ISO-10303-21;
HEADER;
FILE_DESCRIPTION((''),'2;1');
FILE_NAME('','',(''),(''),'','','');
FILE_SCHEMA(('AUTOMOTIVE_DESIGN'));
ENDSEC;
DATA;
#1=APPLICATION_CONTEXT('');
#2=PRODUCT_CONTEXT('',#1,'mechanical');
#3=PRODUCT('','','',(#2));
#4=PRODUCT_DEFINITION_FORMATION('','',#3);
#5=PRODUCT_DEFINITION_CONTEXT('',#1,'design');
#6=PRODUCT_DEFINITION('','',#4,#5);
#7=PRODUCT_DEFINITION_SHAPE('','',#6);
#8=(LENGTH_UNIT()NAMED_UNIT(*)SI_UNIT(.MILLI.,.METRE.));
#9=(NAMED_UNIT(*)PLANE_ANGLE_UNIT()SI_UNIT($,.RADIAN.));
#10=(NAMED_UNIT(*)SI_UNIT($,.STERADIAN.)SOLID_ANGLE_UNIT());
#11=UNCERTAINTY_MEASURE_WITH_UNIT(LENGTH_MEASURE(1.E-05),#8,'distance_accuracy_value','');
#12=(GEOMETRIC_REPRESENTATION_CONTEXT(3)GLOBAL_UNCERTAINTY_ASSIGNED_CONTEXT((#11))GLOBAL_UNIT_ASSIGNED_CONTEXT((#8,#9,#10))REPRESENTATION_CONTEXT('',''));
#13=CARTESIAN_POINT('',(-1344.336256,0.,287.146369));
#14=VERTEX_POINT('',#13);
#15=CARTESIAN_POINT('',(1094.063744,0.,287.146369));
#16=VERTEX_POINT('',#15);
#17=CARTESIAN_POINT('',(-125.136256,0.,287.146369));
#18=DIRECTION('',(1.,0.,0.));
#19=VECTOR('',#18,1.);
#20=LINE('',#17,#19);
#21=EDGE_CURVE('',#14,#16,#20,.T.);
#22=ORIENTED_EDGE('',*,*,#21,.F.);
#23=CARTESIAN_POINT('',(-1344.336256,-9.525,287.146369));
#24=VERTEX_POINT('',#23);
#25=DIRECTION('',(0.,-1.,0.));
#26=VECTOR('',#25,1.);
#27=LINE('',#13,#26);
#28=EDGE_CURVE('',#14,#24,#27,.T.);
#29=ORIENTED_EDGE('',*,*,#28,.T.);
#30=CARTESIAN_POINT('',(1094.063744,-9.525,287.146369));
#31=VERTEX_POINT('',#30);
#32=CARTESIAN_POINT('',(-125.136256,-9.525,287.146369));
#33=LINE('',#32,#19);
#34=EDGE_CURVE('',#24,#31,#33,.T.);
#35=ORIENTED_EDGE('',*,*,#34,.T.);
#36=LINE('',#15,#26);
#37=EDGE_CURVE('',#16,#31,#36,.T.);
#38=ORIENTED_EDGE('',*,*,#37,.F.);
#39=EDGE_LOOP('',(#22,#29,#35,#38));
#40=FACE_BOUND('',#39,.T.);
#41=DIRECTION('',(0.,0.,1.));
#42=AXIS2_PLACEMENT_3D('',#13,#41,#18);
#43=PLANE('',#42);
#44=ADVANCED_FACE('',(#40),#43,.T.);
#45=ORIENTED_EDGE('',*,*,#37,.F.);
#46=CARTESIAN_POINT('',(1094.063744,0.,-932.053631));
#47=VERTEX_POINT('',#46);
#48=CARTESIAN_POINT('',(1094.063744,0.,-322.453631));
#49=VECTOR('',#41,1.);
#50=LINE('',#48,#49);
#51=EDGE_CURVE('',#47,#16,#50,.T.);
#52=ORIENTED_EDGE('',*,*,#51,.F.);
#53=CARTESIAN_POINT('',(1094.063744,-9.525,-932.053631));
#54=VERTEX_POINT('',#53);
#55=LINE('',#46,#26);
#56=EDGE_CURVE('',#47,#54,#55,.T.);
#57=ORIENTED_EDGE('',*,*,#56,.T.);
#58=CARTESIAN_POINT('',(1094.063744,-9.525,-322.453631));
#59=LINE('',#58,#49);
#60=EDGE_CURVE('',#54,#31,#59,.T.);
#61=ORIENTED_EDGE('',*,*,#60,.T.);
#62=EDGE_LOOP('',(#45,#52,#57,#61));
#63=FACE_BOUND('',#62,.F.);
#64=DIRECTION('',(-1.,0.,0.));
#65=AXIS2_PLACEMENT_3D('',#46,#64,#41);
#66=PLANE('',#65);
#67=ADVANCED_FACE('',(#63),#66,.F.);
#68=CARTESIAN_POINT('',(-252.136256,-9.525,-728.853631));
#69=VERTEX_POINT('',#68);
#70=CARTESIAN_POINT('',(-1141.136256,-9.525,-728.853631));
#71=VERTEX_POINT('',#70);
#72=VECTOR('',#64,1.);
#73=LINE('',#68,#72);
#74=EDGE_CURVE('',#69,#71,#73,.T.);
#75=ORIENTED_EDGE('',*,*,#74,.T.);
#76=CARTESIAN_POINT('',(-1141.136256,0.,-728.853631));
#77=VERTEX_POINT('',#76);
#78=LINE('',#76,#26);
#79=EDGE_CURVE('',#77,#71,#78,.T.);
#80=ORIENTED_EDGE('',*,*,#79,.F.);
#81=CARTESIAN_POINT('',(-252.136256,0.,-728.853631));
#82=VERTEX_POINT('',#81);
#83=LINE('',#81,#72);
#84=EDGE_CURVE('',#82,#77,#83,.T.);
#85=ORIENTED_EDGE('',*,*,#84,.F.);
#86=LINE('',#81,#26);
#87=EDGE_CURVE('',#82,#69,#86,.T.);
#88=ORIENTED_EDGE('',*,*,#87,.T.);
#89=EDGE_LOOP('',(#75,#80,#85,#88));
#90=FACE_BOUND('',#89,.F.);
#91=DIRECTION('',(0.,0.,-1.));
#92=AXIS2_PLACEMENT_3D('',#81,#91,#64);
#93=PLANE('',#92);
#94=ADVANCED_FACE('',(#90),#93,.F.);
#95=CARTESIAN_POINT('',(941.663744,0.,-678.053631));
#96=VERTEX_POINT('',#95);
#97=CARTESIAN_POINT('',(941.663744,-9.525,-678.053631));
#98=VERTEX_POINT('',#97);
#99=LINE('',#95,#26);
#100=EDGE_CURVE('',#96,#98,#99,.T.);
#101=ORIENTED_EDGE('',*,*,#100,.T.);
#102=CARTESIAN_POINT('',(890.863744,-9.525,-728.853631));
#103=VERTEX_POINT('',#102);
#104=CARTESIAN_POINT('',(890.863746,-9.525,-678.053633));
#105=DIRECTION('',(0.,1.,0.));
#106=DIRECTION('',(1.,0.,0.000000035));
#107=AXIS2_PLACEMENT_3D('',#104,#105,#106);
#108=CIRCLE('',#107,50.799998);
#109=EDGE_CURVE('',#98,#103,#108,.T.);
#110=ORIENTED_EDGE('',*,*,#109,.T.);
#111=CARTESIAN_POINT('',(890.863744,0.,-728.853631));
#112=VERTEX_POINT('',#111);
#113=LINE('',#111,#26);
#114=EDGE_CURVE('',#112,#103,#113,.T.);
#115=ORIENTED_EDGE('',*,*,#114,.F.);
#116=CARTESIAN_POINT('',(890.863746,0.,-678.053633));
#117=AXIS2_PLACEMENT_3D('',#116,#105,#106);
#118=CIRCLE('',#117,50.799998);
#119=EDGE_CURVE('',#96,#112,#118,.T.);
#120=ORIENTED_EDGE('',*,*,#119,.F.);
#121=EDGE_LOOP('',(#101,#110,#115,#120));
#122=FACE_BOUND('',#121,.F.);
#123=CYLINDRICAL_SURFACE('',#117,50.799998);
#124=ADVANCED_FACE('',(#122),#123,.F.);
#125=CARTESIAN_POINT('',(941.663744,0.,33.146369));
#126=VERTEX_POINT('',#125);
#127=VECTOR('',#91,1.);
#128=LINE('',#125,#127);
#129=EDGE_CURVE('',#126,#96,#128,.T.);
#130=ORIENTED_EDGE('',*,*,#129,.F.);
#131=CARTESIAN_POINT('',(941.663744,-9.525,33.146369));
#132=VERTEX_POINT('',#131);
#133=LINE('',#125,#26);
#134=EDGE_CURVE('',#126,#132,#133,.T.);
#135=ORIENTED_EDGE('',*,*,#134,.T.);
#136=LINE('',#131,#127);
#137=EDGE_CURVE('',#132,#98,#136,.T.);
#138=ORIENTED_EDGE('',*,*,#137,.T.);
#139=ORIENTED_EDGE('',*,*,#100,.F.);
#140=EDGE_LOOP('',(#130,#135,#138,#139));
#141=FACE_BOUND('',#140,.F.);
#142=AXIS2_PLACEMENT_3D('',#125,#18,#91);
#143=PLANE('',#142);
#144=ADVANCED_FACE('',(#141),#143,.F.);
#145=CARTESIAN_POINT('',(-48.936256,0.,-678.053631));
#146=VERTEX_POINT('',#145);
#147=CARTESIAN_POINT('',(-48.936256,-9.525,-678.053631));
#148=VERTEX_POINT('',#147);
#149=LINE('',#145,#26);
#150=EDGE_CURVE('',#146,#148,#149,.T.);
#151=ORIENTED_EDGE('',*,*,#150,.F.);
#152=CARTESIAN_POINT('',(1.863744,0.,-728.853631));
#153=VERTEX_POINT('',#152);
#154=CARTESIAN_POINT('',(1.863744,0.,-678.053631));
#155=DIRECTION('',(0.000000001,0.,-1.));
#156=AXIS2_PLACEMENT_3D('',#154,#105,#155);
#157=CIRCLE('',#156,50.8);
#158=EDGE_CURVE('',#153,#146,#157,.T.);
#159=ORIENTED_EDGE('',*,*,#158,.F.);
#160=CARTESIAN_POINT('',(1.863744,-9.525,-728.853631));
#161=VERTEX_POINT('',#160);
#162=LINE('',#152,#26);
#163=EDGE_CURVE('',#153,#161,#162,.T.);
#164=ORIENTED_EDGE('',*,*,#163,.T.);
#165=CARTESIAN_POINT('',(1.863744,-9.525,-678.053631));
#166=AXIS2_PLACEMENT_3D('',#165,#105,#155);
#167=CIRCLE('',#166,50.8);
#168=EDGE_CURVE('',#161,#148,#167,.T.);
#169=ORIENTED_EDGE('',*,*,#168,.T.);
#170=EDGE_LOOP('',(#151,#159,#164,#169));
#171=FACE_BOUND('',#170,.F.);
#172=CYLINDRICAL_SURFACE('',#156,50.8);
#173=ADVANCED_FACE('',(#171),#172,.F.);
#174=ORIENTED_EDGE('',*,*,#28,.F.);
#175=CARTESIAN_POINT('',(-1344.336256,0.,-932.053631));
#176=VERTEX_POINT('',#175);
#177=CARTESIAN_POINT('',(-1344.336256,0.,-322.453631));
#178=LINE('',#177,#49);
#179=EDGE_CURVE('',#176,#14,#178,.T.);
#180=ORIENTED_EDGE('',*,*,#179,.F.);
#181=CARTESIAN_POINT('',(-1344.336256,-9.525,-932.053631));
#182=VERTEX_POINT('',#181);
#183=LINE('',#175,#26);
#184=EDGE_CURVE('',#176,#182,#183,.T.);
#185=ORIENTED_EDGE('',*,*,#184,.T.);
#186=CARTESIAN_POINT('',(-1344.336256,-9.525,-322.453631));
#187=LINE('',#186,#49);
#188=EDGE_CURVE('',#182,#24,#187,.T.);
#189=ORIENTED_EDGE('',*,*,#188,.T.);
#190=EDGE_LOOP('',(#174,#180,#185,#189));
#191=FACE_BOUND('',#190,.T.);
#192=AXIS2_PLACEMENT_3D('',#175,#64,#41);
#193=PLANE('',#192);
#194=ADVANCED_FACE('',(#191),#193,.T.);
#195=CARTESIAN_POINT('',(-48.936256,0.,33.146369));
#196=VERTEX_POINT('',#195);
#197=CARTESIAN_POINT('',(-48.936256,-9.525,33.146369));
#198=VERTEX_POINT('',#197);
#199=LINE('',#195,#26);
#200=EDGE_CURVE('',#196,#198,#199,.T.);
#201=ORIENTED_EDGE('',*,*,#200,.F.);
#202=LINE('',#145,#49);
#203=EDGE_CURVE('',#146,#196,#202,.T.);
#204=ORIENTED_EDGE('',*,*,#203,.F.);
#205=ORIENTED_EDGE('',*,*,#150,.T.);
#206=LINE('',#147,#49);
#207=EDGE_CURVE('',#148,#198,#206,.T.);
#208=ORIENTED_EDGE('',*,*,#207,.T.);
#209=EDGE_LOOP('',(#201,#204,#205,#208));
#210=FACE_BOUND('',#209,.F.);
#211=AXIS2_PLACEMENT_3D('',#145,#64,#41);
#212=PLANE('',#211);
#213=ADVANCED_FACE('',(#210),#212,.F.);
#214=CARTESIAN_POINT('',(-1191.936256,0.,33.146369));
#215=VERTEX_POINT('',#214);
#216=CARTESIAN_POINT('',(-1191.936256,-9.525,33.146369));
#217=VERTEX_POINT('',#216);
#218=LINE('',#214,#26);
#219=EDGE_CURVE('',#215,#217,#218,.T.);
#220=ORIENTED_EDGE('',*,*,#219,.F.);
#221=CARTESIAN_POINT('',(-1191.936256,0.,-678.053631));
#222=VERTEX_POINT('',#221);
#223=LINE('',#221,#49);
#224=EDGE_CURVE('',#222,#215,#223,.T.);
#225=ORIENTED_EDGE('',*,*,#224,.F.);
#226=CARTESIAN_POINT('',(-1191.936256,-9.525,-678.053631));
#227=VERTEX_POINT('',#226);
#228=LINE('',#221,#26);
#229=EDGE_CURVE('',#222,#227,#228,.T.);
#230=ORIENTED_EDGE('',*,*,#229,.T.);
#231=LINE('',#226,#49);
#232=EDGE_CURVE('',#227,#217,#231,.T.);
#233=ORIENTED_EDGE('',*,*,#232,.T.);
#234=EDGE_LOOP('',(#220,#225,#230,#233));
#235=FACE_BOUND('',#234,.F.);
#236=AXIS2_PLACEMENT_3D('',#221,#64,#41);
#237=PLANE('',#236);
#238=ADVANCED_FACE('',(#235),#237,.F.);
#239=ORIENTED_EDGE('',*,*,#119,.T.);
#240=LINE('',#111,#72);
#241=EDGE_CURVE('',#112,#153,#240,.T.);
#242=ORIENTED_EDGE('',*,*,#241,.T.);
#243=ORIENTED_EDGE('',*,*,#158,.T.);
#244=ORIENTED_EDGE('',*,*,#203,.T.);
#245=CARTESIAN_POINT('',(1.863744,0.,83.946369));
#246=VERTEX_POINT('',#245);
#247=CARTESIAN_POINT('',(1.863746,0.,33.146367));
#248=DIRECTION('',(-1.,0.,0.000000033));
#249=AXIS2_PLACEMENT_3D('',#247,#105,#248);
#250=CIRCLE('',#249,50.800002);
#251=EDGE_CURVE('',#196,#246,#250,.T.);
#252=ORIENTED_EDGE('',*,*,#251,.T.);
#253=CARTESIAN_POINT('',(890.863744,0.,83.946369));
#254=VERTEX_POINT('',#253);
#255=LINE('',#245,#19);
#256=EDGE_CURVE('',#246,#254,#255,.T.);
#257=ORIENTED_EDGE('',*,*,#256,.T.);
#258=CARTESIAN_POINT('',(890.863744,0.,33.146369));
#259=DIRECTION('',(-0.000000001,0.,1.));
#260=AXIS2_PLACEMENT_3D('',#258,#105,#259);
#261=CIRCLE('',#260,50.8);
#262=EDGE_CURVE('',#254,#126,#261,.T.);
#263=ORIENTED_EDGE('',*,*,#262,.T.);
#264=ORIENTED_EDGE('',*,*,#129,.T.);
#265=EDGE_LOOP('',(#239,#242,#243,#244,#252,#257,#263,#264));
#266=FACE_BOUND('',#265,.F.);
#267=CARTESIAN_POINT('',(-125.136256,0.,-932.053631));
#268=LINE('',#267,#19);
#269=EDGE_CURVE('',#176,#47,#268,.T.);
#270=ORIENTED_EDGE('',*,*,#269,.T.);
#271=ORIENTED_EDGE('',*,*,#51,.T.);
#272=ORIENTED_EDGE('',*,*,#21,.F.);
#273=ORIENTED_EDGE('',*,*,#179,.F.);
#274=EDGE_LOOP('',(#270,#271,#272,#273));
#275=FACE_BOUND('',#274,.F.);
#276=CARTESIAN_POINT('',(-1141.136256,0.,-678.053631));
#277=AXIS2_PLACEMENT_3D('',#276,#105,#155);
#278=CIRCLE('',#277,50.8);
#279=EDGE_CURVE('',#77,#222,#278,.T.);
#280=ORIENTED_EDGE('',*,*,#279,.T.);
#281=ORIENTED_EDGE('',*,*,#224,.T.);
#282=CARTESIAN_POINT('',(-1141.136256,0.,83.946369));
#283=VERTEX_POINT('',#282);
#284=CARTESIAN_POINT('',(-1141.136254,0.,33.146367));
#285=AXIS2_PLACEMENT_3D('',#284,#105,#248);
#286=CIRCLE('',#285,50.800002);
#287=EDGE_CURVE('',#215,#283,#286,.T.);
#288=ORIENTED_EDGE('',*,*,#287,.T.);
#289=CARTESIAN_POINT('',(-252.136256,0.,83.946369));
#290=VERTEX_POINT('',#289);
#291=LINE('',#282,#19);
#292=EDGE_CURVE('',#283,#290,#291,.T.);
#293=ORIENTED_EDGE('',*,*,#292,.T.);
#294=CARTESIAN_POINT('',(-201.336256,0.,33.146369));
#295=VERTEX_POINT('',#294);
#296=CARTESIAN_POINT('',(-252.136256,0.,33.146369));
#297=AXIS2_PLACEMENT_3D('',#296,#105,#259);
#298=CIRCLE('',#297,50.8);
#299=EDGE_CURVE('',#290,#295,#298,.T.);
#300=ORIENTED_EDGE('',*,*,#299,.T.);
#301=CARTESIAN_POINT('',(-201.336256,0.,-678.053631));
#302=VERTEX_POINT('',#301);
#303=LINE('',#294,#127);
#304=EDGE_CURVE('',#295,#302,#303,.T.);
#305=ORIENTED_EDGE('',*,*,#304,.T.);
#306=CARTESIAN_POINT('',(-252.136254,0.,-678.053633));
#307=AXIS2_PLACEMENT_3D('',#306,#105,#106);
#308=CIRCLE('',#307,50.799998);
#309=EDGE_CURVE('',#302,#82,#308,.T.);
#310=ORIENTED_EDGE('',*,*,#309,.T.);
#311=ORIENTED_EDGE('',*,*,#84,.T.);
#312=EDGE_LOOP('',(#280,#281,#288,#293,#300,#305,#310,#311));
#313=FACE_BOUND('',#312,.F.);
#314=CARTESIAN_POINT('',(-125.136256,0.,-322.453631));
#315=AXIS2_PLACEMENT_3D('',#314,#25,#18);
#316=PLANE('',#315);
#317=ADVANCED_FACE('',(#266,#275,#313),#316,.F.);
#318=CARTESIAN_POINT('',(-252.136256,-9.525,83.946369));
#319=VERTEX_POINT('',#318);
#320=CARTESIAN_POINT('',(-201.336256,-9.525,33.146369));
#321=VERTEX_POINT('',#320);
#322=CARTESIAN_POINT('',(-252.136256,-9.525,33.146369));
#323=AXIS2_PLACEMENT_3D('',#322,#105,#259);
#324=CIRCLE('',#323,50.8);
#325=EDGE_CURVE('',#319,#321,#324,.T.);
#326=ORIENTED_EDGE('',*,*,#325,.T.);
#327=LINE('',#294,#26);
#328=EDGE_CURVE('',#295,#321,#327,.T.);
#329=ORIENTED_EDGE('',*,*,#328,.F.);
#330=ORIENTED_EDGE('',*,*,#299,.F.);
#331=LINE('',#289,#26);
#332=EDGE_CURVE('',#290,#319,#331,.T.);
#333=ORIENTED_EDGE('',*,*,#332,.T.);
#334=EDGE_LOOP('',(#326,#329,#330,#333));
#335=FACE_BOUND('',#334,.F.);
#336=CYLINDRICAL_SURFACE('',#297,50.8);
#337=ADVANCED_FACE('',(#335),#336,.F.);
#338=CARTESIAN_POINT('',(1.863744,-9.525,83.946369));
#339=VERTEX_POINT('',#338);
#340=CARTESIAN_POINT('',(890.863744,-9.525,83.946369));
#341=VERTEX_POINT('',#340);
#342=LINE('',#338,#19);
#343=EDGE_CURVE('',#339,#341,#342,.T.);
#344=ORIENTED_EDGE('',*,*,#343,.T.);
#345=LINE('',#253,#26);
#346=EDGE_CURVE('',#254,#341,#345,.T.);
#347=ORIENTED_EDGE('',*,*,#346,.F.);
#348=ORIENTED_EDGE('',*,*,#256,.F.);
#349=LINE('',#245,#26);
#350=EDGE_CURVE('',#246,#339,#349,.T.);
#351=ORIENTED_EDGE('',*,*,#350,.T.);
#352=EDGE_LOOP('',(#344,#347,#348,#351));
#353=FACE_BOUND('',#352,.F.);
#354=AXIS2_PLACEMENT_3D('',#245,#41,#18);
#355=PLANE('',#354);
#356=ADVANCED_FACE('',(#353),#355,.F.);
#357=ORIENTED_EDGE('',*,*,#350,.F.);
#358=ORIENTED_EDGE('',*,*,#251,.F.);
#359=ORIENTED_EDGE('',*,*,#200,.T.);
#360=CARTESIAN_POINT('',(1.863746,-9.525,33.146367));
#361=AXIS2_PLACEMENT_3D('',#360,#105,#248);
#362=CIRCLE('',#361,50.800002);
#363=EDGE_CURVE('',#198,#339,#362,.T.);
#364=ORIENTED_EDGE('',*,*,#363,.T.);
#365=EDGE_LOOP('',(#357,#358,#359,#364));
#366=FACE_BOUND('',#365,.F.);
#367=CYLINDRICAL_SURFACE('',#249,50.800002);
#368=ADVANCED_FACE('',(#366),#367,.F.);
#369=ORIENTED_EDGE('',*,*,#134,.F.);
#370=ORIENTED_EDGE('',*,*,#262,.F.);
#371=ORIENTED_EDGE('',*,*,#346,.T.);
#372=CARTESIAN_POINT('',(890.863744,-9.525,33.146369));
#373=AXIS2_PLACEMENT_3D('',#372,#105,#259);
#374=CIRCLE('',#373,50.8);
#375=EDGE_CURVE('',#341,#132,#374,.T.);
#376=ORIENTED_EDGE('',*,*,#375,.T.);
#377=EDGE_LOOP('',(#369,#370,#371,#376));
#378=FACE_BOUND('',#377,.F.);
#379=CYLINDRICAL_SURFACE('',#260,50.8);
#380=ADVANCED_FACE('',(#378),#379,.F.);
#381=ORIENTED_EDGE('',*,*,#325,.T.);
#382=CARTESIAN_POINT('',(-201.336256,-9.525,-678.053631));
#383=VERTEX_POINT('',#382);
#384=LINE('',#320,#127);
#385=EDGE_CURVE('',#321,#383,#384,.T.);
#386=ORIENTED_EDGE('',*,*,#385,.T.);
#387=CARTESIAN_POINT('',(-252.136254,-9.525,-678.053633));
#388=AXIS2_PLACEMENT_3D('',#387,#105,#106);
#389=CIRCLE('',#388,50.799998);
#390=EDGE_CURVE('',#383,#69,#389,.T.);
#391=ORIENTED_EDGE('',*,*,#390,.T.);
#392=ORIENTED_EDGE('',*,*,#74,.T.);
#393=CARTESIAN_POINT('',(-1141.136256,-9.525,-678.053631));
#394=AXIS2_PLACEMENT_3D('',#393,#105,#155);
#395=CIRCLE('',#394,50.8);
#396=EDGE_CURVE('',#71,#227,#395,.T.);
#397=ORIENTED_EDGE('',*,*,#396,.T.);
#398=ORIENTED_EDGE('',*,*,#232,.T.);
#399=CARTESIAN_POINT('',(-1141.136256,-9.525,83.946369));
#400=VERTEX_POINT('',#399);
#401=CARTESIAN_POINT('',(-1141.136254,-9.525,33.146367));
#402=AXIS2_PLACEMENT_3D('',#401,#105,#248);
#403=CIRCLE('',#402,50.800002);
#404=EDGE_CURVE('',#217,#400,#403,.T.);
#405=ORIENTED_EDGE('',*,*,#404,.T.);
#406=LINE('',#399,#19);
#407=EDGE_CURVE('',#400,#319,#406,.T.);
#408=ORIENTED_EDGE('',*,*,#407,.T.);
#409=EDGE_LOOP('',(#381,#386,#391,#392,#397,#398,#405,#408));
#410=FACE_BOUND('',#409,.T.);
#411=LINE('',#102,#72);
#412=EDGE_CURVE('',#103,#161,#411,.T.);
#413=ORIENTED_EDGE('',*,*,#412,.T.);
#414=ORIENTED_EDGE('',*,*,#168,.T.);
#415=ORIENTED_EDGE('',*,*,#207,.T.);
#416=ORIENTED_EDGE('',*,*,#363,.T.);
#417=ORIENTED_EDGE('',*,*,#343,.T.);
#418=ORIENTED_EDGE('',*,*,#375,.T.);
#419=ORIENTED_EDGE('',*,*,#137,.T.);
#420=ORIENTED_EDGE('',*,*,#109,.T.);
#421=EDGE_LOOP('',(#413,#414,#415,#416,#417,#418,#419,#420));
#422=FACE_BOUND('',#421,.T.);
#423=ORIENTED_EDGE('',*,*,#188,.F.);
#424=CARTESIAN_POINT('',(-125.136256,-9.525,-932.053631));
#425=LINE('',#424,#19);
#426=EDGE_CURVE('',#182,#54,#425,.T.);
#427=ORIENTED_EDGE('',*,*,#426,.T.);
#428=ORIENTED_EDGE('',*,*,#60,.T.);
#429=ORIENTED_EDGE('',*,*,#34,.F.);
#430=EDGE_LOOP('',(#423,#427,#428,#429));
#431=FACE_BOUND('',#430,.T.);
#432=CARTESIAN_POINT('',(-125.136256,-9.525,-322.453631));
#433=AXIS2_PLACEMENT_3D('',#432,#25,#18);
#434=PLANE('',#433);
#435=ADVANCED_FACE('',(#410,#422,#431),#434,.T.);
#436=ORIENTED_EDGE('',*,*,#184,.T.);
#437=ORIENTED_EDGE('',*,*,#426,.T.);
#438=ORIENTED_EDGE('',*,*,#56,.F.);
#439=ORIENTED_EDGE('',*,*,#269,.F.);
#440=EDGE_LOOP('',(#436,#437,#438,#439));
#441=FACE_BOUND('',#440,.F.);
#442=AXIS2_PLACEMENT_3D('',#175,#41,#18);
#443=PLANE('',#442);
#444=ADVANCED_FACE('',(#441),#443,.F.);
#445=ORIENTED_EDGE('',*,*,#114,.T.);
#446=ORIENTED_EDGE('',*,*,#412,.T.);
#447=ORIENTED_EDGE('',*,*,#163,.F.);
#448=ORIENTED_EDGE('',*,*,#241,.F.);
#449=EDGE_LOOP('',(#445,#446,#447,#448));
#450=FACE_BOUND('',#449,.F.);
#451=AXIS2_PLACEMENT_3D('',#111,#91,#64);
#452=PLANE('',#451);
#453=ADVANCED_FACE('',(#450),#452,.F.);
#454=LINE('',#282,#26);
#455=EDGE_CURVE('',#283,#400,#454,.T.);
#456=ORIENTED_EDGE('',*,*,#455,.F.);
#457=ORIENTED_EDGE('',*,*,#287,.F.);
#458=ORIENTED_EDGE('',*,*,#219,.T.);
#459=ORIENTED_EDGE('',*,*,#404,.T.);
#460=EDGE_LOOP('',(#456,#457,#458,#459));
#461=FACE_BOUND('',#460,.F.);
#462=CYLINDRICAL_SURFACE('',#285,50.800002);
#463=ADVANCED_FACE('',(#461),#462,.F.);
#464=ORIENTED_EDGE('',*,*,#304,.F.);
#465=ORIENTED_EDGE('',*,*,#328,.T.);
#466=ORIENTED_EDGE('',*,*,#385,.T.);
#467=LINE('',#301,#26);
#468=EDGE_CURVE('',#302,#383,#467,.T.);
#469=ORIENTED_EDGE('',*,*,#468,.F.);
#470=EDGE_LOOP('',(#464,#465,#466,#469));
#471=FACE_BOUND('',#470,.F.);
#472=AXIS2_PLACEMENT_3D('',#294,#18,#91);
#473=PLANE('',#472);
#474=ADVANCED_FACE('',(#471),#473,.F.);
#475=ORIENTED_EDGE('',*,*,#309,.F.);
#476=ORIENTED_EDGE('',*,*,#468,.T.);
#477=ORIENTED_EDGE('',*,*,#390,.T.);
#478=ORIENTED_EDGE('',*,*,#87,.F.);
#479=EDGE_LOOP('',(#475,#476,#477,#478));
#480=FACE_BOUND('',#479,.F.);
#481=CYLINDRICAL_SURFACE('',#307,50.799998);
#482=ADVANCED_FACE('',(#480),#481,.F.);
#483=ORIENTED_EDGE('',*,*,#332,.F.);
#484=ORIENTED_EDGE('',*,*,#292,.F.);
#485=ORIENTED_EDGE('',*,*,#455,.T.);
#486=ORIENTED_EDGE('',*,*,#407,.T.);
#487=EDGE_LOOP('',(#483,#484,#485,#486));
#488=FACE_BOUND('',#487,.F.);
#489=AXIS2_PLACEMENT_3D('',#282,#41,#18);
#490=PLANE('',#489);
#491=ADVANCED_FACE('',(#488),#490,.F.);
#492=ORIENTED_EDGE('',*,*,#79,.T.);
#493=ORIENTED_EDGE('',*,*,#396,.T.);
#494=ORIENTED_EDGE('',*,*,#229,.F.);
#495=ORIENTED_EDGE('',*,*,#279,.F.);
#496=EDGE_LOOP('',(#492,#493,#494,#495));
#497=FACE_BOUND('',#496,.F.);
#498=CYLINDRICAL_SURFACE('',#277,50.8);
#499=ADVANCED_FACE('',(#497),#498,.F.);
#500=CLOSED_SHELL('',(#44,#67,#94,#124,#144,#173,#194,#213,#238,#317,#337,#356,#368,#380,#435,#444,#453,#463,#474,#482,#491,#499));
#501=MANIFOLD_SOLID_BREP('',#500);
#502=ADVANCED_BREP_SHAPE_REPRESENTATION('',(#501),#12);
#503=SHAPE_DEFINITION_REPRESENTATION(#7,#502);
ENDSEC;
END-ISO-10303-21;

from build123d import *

# Parameters (mm, degrees)
F0_W     = 2438.4
F0_H     = 1219.2
F1_DEPTH = 9.525


with BuildPart() as f1:
    # F0 (on Front) → F1 (new body)
    with BuildSketch(Plane.XZ):
        with Locations((-125.136256, -322.453631)):
            Rectangle(F0_W, F0_H)
        with BuildLine():
            ThreePointArc((-1191.936256, 33.146369), (-1177.05728, 69.067393), (-1141.136256, 83.946369))
            Line((-1141.136256, 83.946369), (-252.136256, 83.946369))
            ThreePointArc((-252.136256, 83.946369), (-216.215231, 69.067393), (-201.336256, 33.146369))
            Line((-201.336256, 33.146369), (-201.336256, -678.053631))
            ThreePointArc((-201.336256, -678.053631), (-216.215231, -713.974656), (-252.136256, -728.853631))
            Line((-252.136256, -728.853631), (-1141.136256, -728.853631))
            ThreePointArc((-1141.136256, -728.853631), (-1177.05728, -713.974656), (-1191.936256, -678.053631))
            Line((-1191.936256, -678.053631), (-1191.936256, 33.146369))
        make_face(mode=Mode.SUBTRACT)
        with BuildLine():
            ThreePointArc((-48.936256, 33.146369), (-34.05728, 69.067393), (1.863744, 83.946369))
            Line((1.863744, 83.946369), (890.863744, 83.946369))
            ThreePointArc((890.863744, 83.946369), (926.784769, 69.067393), (941.663744, 33.146369))
            Line((941.663744, 33.146369), (941.663744, -678.053631))
            ThreePointArc((941.663744, -678.053631), (926.784769, -713.974656), (890.863744, -728.853631))
            Line((890.863744, -728.853631), (1.863744, -728.853631))
            ThreePointArc((1.863744, -728.853631), (-34.05728, -713.974656), (-48.936256, -678.053631))
            Line((-48.936256, -678.053631), (-48.936256, 33.146369))
        make_face(mode=Mode.SUBTRACT)
    extrude(amount=F1_DEPTH)


solid = f1.part
